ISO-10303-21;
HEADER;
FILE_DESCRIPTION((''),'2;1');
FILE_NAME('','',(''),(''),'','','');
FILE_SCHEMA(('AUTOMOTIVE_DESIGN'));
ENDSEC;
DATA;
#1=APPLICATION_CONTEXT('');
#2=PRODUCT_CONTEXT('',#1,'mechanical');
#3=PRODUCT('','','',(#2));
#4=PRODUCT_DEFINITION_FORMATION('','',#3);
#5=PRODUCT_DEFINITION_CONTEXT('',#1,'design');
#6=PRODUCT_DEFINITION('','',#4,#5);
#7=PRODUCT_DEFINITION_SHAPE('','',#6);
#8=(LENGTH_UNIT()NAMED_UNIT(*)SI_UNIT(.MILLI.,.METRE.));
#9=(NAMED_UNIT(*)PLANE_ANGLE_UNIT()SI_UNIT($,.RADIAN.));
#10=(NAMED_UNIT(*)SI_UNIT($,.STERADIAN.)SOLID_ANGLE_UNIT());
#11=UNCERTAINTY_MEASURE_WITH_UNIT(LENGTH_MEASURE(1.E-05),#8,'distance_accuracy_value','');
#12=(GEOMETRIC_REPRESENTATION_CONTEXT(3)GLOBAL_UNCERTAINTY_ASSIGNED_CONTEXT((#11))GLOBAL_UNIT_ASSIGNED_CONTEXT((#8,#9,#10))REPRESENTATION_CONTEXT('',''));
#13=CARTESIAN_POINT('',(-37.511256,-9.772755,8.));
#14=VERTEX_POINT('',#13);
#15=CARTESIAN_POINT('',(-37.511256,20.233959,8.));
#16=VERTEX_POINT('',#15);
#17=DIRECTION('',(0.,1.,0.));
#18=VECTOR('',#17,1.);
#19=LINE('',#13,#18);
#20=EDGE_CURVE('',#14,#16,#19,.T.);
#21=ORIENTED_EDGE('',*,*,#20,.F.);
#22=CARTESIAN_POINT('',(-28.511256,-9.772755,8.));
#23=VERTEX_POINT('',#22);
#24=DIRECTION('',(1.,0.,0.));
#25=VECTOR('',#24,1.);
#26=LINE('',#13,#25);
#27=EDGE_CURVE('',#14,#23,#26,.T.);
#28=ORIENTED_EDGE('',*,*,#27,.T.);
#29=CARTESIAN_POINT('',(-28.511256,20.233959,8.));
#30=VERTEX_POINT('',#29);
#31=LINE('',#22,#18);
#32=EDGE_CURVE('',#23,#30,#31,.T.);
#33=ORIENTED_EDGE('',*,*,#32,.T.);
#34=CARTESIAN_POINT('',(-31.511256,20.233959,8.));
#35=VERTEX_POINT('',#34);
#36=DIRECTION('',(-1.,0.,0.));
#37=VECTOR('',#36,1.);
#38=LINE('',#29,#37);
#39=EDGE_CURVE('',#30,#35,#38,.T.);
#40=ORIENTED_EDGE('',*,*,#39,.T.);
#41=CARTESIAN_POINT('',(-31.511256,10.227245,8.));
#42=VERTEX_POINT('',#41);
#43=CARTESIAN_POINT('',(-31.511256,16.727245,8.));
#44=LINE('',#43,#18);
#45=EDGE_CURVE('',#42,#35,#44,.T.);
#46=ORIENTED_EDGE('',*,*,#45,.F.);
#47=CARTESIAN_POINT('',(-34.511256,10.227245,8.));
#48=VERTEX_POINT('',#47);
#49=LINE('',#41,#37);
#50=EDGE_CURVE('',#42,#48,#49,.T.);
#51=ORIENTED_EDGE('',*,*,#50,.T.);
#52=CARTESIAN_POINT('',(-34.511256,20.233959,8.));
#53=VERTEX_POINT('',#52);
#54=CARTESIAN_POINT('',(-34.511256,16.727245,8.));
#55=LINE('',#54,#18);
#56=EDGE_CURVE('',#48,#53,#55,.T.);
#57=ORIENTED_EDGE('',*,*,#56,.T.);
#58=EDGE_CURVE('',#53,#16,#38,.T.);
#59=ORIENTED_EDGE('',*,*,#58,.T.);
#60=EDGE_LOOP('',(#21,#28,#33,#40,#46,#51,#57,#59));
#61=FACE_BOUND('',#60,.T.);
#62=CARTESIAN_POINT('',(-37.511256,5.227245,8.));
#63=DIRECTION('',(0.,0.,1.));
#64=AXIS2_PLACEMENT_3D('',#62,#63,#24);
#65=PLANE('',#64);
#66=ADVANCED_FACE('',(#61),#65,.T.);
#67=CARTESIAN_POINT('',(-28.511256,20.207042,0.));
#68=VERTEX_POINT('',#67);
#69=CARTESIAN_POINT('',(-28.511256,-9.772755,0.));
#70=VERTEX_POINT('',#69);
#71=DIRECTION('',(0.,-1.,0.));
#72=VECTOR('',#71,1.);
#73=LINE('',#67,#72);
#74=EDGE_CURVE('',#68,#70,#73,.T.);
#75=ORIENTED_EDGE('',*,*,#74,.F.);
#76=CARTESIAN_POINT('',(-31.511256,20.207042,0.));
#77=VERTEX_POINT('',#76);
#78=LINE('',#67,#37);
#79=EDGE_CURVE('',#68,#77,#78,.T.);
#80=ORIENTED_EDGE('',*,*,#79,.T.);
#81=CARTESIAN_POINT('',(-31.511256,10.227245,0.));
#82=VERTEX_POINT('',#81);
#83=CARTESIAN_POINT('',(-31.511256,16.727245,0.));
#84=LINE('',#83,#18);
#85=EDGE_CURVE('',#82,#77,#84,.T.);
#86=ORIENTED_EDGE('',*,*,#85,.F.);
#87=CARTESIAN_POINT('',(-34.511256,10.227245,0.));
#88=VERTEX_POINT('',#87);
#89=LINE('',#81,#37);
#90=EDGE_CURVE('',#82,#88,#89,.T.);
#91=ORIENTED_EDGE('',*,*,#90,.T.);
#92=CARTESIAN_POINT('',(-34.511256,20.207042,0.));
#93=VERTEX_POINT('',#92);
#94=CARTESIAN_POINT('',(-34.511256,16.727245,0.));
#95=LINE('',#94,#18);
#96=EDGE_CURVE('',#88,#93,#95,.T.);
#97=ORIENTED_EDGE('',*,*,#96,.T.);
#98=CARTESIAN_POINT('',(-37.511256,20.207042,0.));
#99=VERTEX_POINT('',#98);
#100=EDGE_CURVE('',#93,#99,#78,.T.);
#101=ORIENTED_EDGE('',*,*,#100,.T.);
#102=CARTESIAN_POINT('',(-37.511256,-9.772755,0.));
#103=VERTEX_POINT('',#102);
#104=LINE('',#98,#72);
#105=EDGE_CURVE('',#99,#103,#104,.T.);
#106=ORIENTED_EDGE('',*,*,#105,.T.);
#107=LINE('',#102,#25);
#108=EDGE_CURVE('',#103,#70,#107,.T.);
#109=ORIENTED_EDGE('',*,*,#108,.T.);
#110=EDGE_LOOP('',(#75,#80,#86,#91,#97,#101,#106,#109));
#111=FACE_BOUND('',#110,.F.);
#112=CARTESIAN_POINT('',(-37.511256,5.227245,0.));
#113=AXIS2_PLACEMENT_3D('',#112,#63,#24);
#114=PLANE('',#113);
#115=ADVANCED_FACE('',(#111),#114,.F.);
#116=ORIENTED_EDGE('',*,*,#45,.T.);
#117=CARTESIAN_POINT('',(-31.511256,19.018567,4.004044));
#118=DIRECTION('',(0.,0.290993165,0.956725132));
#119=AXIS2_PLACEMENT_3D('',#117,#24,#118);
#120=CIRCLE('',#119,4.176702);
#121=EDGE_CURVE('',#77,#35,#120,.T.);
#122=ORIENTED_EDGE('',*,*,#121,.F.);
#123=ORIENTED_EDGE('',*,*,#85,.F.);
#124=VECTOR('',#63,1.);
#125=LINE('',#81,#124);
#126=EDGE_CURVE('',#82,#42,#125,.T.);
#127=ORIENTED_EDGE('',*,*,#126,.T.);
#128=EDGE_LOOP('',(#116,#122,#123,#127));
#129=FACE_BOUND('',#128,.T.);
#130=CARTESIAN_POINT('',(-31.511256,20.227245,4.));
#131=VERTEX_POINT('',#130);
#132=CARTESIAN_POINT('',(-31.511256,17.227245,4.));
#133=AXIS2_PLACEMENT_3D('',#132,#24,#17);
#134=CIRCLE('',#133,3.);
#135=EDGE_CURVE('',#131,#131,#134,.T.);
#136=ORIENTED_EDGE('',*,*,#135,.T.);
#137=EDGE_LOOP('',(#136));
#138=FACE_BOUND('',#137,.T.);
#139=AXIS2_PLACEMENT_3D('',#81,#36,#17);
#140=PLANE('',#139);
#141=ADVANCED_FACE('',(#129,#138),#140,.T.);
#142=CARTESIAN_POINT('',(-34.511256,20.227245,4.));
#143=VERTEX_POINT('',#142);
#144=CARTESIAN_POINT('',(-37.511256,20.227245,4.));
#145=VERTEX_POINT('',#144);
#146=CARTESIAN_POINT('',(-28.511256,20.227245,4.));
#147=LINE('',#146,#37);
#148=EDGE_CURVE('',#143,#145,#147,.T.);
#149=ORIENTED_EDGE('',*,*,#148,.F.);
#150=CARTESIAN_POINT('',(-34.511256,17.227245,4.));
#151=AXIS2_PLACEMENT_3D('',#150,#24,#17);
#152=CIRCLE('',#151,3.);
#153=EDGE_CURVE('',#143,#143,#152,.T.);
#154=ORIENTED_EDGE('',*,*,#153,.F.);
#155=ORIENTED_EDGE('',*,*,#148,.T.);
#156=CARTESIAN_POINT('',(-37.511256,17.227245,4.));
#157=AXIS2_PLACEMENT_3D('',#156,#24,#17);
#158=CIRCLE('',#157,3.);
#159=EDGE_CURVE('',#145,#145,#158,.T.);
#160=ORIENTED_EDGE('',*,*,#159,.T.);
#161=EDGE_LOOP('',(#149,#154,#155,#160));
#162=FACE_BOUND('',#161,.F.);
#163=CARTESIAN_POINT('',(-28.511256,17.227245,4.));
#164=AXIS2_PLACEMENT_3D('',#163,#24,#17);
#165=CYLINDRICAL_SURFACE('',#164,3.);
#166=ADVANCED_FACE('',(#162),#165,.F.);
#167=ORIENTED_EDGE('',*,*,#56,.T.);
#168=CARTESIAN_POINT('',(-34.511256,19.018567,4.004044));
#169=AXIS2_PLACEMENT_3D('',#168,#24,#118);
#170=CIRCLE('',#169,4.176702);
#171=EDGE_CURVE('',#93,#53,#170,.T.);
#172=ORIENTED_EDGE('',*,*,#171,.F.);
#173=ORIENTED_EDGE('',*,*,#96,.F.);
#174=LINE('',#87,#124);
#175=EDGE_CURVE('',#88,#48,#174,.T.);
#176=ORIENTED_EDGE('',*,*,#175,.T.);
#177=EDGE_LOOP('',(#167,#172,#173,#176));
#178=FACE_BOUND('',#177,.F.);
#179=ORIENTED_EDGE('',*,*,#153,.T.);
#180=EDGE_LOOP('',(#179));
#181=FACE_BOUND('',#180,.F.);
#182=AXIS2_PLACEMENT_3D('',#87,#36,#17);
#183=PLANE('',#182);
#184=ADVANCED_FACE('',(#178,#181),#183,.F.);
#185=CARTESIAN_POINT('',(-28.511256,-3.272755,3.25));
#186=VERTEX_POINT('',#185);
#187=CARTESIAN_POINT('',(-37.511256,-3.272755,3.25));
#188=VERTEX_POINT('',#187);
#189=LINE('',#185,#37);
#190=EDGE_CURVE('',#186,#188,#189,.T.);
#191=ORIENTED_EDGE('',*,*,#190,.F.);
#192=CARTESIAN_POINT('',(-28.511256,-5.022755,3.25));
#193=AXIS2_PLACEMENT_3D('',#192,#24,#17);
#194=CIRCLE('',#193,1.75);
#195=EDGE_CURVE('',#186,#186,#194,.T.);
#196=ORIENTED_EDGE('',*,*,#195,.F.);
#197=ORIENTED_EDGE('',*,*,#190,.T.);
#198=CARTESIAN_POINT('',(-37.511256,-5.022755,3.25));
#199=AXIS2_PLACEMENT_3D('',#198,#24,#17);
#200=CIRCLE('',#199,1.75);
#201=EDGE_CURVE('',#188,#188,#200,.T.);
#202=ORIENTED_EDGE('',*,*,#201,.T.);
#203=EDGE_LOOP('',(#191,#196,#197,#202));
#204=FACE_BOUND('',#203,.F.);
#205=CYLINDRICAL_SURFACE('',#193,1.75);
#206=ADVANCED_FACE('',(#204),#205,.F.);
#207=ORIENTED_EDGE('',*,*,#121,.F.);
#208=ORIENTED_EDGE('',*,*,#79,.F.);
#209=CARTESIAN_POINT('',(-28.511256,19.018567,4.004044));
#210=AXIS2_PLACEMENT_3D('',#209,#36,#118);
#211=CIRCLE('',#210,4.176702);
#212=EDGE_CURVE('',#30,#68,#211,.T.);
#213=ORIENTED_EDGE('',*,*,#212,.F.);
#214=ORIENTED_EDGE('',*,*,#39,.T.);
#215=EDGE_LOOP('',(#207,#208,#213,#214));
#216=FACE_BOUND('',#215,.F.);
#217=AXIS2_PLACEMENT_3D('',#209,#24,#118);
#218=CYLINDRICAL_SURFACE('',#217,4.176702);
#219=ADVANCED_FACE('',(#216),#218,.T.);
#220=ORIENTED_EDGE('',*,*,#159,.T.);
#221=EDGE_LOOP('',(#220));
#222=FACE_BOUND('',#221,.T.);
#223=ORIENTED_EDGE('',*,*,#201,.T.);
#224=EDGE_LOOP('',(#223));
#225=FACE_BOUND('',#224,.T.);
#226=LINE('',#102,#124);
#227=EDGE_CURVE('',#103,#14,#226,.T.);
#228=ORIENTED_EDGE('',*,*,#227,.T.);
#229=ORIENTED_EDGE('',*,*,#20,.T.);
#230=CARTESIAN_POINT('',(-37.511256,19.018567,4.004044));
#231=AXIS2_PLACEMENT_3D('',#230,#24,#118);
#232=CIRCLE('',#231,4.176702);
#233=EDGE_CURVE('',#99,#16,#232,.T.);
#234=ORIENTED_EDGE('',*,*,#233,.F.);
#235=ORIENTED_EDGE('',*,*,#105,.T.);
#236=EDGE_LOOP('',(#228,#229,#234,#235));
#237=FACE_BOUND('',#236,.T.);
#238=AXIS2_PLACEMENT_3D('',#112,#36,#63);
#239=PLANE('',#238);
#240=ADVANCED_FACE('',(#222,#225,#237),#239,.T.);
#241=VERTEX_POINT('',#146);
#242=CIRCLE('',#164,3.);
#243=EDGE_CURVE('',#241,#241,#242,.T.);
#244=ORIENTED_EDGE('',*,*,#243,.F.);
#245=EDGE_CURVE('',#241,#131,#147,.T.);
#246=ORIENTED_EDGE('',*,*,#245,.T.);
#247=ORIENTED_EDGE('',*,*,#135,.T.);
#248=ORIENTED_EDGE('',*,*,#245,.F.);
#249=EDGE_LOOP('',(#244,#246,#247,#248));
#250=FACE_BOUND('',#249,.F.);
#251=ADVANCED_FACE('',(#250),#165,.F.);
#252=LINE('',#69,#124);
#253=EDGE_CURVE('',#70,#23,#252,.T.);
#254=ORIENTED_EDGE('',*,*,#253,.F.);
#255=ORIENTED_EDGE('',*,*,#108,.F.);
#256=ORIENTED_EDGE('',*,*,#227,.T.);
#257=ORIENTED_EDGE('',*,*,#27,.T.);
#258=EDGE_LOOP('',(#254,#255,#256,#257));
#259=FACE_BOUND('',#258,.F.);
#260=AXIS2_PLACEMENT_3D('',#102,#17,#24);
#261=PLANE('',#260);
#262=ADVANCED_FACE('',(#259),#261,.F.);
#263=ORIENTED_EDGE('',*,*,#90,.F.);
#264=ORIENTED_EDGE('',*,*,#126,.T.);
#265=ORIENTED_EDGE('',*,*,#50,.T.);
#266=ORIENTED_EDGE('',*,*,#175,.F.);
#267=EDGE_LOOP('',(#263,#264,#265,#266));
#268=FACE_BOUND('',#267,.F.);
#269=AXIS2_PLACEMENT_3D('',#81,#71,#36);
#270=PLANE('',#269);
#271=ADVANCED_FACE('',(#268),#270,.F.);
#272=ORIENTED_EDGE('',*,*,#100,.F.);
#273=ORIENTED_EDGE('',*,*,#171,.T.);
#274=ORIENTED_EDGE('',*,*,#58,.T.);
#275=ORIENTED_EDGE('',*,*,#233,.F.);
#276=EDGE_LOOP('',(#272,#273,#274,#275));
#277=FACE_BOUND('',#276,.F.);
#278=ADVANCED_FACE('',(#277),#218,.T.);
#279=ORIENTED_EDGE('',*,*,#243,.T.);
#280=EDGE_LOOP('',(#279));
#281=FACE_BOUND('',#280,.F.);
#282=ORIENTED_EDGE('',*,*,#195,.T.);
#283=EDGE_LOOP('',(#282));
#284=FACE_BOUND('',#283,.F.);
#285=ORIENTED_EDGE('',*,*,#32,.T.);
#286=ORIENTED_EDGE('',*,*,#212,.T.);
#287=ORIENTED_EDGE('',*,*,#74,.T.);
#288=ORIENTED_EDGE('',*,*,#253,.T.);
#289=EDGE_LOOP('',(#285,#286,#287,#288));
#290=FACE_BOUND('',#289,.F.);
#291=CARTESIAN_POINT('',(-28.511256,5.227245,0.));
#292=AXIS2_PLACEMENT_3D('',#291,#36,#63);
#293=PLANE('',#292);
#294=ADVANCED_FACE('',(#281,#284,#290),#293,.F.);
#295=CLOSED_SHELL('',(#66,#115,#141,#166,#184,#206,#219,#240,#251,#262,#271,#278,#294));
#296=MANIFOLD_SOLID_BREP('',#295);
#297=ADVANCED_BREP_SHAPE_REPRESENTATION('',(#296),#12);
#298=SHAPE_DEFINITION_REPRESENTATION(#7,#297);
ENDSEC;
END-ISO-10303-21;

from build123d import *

# Parameters (mm, degrees)
F0_W     = 3
F0_H     = 13
F1_DEPTH = 8
F2_R     = 3
F3_DEPTH = 10
F4_DEPTH = 25
F5_DEPTH = 15
F6_R     = 1.75
F7_DEPTH = 25


with BuildPart() as f1:
    # F0 (on Top) → F1 (new body)
    with BuildSketch(Plane.XY):
        with Locations((-36.0112562776, 16.7272449248)):
            Rectangle(F0_W, F0_H)
        with Locations((-30.0112562776, 16.7272449248)):
            Rectangle(F0_W, F0_H)
        Polygon((-34.5112562776, 10.2272449248), (-37.5112562776, 10.2272449248), (-37.5112562776, 5.2272449248), (-28.5112562776, 5.2272449248), (-28.5112562776, 10.2272449248), (-31.5112562776, 10.2272449248), align=None)
    extrude(amount=F1_DEPTH)

    # F2 (on face) → F3 (cut)
    with BuildSketch(Plane.YZ.offset(-28.5112562776)):
        with Locations((17.2272449248, 4)):
            Circle(F2_R)
    extrude(amount=-F3_DEPTH, mode=Mode.SUBTRACT)

    # F2 (on face) → F4 (cut)
    with BuildSketch(Plane.YZ.offset(-28.5112562776)):
        with BuildLine():
            ThreePointArc((20.2339589596, 8), (23.1952457023, 3.989991066), (20.2070418745, 0))
            Line((20.2070418745, 0), (23.2272449248, 0))
            Line((23.2272449248, 0), (23.2272449248, 8))
            Line((23.2272449248, 8), (20.2339589596, 8))
        make_face()
    extrude(amount=-F4_DEPTH, mode=Mode.SUBTRACT)

    # F5 (add): a face of the model
    f5_faces = [f1.faces().sort_by_distance(p)[0] for p in [
        (-33.0112562776, 5.2272449248, 4),
    ]]
    extrude(f5_faces, amount=F5_DEPTH)

    # F6 (on face) → F7 (cut)
    with BuildSketch(Plane.YZ.offset(-28.5112562776)):
        with Locations((-5.0227550752, 3.25)):
            Circle(F6_R)
    extrude(amount=-F7_DEPTH, mode=Mode.SUBTRACT)


solid = f1.part
